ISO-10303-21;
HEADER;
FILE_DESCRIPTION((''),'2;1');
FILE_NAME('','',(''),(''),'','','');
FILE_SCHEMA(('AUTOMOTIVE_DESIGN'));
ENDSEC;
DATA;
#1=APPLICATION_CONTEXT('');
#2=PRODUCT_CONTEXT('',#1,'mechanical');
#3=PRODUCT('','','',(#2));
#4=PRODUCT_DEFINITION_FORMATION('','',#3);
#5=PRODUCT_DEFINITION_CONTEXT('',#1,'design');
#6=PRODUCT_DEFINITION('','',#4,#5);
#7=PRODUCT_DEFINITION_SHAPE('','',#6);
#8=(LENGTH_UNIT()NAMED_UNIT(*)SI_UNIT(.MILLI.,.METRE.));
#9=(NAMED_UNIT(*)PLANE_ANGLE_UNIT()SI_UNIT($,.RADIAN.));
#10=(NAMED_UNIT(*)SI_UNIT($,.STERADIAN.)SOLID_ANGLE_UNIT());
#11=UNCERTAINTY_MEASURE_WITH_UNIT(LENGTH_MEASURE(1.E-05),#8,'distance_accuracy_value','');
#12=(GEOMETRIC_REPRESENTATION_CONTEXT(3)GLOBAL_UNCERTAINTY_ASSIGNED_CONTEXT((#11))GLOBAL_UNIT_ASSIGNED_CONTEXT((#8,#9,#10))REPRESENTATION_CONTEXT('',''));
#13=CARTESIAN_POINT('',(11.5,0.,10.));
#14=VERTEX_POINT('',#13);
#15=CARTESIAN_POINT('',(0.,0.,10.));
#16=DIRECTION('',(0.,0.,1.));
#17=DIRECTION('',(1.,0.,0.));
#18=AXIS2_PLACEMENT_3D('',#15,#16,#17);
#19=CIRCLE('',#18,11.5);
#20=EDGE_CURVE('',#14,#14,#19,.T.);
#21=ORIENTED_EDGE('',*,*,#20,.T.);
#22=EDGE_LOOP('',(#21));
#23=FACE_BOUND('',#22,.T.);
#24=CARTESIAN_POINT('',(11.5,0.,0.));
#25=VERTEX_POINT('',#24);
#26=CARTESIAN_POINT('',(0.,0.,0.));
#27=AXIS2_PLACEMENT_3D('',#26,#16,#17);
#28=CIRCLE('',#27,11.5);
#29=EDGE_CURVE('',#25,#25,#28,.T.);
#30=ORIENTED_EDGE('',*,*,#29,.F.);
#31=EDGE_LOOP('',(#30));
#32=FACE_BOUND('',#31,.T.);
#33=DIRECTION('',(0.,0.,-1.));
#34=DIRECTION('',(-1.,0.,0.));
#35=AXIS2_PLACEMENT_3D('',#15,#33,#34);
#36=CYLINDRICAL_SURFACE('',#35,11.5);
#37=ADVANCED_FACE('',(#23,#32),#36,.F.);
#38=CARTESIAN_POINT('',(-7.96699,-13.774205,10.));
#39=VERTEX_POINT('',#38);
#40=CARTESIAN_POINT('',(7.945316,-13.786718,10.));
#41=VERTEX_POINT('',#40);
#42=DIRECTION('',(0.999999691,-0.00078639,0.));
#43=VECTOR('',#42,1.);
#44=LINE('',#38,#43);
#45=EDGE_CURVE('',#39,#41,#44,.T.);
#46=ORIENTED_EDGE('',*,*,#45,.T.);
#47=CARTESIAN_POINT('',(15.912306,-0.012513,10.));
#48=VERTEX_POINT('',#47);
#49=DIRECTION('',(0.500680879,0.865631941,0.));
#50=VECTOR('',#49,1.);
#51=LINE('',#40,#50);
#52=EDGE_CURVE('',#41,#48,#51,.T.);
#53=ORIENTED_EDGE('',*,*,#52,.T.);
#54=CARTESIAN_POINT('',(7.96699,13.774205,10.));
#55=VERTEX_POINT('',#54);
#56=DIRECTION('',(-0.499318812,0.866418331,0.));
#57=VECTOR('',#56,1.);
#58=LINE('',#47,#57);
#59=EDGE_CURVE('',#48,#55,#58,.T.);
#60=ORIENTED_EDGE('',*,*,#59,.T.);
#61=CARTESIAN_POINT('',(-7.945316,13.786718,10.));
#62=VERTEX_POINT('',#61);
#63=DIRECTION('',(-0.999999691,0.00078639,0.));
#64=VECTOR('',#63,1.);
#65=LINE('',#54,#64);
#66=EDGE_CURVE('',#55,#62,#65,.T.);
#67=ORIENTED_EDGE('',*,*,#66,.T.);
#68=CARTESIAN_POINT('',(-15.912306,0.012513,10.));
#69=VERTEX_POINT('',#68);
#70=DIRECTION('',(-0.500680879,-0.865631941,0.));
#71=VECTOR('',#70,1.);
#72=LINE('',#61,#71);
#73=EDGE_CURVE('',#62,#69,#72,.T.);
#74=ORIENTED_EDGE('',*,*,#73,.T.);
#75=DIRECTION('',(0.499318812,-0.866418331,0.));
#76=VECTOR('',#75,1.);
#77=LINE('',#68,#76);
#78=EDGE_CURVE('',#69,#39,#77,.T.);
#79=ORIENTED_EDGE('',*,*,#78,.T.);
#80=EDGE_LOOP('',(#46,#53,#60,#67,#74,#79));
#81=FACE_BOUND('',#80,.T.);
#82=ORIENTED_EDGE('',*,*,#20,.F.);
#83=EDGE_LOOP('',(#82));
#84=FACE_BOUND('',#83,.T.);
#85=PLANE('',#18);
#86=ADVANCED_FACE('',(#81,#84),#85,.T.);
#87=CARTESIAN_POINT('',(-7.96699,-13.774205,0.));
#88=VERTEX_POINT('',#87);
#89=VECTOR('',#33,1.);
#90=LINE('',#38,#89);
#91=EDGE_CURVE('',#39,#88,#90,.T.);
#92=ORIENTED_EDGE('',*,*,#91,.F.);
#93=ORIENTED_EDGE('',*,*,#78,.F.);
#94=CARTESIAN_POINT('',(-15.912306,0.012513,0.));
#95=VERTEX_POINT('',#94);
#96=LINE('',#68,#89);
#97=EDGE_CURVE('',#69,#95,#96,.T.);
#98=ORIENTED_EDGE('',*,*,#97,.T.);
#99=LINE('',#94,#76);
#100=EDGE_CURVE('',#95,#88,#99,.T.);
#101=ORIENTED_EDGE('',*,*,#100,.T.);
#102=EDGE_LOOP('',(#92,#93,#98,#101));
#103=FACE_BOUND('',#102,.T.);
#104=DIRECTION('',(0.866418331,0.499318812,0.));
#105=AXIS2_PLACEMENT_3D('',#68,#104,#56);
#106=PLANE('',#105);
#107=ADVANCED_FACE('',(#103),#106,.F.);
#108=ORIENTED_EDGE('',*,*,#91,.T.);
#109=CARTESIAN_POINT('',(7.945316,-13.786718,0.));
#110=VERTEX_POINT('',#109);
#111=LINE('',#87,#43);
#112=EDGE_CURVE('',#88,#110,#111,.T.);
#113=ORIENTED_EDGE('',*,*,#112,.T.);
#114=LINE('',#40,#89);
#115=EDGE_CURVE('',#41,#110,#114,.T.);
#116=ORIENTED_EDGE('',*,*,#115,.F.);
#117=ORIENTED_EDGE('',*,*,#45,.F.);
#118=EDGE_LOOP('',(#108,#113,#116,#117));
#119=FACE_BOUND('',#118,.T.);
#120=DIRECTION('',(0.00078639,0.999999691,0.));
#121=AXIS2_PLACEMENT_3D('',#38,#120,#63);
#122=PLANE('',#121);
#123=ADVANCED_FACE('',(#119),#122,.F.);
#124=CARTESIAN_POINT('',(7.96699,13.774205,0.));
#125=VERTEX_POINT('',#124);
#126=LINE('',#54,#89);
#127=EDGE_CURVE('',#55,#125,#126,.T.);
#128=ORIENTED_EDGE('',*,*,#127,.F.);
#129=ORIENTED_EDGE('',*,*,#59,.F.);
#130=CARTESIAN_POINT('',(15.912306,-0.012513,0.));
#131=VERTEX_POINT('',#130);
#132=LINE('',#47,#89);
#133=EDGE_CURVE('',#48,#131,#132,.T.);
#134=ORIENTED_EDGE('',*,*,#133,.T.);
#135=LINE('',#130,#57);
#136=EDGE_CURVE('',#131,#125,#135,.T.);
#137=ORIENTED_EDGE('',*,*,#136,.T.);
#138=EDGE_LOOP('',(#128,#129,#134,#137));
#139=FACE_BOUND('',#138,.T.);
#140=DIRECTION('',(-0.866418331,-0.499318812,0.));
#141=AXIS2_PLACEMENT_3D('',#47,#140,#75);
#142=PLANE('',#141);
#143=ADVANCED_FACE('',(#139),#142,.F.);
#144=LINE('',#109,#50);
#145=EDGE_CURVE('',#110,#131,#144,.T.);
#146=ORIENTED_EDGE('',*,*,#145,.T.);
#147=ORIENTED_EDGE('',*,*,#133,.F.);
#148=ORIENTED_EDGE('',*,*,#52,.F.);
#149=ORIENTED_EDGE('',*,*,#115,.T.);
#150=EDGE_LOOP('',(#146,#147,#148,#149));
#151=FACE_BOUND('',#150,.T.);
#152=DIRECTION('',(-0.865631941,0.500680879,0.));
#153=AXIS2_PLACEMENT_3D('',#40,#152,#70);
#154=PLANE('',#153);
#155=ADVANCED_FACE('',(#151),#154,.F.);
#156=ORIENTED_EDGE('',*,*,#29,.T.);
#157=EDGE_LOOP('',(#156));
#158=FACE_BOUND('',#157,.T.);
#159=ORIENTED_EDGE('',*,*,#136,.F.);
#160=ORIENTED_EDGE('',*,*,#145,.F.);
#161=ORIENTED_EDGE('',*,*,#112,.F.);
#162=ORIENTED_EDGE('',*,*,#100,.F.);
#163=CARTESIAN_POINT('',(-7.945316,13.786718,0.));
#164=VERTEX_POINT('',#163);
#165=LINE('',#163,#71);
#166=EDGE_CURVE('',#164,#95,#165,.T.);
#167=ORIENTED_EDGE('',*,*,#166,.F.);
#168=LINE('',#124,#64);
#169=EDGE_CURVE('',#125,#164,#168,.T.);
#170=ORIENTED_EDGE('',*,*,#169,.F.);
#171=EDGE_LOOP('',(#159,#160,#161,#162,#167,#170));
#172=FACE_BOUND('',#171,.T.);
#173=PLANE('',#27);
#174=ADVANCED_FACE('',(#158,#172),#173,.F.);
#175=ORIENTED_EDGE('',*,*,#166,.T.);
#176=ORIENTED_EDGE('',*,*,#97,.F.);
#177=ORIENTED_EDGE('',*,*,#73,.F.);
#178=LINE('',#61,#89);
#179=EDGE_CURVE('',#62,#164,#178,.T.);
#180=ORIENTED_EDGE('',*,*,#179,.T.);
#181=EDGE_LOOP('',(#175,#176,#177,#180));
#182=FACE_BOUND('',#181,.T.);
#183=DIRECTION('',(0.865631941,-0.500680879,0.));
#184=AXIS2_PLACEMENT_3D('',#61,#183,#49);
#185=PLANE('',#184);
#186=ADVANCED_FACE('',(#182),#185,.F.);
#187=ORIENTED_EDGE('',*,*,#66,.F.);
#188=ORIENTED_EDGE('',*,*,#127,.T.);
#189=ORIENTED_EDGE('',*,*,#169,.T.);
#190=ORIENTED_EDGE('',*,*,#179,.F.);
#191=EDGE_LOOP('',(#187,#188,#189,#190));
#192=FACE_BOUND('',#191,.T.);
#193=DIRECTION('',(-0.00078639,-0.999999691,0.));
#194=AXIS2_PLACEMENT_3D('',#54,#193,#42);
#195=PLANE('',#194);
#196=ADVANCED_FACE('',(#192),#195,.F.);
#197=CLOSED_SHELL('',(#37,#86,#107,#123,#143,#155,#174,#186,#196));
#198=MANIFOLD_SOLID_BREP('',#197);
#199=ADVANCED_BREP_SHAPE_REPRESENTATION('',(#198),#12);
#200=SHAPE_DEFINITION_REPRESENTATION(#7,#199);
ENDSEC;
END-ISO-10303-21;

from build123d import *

# Parameters (mm, degrees)
CROQUIS1_R              = 11.5
SALIENTE_EXTRUIR1_DEPTH = 10


with BuildPart() as part:
    # Croquis1 → Saliente-Extruir1 (new body)
    with BuildSketch(Plane.XY):
        Polygon((7.966989997, 13.774204899), (-7.94531636, 13.786718179), (-15.912306358, 0.01251328), (-7.966989997, -13.774204899), (7.94531636, -13.786718179), (15.912306358, -0.01251328), align=None)
        Circle(CROQUIS1_R, mode=Mode.SUBTRACT)
    extrude(amount=SALIENTE_EXTRUIR1_DEPTH)


solid = part.part
